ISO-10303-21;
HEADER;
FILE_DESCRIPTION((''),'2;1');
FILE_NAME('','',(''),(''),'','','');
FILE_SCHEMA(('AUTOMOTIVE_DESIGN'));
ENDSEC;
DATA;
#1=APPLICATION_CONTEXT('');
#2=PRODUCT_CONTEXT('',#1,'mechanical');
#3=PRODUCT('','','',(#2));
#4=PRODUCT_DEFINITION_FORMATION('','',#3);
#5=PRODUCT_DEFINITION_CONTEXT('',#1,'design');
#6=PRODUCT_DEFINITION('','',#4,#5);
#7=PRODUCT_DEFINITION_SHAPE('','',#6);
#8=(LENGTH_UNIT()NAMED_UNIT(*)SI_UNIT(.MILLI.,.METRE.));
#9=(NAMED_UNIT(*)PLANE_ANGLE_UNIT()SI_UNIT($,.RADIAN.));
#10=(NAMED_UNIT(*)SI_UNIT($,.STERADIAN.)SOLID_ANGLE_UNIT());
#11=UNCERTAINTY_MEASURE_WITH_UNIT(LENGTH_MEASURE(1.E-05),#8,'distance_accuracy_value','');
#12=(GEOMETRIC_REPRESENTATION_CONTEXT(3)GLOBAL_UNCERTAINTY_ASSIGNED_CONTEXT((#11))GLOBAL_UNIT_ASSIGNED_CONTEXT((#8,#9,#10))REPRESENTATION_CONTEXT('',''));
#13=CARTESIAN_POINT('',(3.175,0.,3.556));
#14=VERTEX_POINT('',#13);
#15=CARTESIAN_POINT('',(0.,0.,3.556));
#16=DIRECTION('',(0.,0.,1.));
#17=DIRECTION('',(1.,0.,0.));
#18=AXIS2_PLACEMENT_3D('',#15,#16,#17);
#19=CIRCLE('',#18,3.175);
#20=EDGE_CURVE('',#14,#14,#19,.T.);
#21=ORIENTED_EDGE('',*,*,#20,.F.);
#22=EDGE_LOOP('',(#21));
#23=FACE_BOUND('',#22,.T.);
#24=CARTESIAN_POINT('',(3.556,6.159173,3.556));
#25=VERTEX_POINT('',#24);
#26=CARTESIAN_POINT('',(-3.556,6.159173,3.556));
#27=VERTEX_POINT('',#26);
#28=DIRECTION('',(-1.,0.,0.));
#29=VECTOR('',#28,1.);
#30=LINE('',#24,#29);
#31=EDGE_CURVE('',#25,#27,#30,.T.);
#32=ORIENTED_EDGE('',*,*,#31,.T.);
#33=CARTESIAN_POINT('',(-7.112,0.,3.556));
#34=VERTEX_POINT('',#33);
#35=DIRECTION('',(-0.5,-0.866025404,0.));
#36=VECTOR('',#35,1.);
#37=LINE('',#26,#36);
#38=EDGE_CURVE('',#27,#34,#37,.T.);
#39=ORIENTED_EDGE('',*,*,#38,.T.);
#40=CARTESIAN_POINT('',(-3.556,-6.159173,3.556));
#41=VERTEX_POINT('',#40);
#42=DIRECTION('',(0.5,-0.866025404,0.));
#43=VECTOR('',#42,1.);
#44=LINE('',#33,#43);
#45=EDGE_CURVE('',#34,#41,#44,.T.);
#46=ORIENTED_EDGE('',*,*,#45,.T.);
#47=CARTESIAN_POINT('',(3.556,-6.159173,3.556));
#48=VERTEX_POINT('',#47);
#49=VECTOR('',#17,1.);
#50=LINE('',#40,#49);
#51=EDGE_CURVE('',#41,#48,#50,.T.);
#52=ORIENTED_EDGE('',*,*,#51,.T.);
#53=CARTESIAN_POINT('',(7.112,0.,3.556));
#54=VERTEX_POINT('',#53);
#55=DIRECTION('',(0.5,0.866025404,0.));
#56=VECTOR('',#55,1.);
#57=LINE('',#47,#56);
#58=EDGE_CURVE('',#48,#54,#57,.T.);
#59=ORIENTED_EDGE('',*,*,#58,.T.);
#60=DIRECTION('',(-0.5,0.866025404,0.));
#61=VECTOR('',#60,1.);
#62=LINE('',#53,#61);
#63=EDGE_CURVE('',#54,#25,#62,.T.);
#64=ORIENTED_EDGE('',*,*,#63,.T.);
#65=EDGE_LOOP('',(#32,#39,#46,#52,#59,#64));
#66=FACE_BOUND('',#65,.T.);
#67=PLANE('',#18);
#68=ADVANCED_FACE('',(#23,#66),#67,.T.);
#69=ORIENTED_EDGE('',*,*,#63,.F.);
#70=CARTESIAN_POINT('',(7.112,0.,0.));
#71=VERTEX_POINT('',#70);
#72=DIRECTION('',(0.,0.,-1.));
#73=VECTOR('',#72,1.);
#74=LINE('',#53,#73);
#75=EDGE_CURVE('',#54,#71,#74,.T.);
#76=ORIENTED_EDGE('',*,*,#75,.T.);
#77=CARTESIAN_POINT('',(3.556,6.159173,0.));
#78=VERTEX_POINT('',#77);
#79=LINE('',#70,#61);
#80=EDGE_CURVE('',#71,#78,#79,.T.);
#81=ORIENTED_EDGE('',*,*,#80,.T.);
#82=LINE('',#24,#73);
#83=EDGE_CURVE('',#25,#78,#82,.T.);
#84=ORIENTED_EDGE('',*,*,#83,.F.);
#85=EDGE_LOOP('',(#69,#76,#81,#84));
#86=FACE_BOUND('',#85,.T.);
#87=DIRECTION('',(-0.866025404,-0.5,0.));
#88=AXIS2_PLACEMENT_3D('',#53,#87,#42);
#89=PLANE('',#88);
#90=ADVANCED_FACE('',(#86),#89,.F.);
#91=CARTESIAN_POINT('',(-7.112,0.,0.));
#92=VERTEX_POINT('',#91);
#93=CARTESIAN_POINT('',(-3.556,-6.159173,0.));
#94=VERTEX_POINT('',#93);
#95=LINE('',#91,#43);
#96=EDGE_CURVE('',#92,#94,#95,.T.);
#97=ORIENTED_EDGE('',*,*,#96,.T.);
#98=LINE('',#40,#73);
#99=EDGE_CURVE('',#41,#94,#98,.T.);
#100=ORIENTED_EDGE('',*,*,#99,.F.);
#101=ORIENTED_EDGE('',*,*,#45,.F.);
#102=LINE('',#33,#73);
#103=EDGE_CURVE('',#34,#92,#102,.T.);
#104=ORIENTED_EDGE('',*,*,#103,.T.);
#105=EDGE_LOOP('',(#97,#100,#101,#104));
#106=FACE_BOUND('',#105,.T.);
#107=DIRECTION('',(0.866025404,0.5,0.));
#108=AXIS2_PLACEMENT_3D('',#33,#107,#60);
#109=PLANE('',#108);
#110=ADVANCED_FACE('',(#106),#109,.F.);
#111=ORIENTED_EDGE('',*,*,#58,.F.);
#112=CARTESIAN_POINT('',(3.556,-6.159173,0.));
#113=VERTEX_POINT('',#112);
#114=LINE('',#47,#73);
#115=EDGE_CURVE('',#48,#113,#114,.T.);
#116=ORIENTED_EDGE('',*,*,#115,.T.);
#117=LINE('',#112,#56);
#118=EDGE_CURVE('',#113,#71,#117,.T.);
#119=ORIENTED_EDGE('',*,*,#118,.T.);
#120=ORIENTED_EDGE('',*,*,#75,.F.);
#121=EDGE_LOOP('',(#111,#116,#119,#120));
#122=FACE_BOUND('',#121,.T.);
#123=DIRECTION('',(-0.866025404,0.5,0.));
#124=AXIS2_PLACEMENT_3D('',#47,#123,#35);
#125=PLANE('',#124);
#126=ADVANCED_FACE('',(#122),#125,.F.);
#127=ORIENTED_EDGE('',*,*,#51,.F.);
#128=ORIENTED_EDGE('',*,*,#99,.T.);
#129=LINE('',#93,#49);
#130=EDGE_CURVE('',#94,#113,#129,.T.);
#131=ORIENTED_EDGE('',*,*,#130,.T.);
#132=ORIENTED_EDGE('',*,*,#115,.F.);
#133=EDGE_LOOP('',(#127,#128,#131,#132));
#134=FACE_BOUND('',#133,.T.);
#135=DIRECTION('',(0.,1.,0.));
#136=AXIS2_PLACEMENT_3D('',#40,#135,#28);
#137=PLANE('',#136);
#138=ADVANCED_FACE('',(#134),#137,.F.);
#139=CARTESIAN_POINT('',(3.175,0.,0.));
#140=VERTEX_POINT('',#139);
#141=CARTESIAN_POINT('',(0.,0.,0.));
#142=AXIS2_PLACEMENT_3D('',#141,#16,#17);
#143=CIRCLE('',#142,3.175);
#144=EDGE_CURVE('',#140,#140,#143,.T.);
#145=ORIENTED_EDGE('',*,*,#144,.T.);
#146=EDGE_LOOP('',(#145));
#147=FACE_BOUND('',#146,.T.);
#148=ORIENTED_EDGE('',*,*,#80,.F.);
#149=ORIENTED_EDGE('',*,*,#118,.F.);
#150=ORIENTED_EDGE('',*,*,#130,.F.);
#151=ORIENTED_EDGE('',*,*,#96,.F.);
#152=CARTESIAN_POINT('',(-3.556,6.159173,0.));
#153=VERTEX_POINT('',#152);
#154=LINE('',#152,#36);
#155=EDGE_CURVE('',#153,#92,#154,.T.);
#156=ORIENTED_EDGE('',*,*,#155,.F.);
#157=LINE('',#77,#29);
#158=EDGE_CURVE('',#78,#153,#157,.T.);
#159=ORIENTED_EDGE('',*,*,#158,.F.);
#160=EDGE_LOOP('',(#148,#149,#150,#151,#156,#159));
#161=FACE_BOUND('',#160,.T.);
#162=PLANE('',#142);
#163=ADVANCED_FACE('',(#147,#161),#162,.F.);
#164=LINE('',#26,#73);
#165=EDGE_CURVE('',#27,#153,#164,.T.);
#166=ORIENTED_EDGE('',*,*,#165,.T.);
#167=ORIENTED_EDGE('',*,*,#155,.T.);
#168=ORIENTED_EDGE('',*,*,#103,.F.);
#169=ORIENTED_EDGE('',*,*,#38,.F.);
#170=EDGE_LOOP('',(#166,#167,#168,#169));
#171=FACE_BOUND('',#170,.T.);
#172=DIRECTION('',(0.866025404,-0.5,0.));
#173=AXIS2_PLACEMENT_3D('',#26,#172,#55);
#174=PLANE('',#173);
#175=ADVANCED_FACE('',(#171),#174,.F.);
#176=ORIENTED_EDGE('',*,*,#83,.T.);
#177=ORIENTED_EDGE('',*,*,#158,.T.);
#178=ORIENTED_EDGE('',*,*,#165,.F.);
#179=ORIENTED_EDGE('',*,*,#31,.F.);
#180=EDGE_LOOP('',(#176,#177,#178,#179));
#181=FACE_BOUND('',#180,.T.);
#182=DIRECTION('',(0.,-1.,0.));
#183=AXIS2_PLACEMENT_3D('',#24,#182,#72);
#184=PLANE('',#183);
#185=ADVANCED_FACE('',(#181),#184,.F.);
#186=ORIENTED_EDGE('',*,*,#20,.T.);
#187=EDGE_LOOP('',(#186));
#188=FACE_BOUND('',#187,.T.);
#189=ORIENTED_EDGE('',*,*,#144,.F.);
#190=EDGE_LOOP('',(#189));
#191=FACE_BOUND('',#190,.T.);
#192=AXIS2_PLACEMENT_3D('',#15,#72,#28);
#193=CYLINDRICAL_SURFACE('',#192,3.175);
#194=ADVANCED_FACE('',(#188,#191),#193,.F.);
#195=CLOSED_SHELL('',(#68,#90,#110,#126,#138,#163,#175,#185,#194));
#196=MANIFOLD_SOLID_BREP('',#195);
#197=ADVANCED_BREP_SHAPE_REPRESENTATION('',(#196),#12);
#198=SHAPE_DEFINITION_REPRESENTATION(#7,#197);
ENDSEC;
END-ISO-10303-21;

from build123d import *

# Parameters (mm, degrees)
SKETCH2_R           = 3.175
BOSS_EXTRUDE1_DEPTH = 3.556


with BuildPart() as part:
    # Sketch2 → Boss-Extrude1 (new body)
    with BuildSketch(Plane.XY):
        Polygon((-7.112, 0), (-3.556, -6.159172672), (3.556, -6.159172672), (7.112, 0), (3.556, 6.159172672), (-3.556, 6.159172672), align=None)
        Circle(SKETCH2_R, mode=Mode.SUBTRACT)
    extrude(amount=BOSS_EXTRUDE1_DEPTH)


solid = part.part
